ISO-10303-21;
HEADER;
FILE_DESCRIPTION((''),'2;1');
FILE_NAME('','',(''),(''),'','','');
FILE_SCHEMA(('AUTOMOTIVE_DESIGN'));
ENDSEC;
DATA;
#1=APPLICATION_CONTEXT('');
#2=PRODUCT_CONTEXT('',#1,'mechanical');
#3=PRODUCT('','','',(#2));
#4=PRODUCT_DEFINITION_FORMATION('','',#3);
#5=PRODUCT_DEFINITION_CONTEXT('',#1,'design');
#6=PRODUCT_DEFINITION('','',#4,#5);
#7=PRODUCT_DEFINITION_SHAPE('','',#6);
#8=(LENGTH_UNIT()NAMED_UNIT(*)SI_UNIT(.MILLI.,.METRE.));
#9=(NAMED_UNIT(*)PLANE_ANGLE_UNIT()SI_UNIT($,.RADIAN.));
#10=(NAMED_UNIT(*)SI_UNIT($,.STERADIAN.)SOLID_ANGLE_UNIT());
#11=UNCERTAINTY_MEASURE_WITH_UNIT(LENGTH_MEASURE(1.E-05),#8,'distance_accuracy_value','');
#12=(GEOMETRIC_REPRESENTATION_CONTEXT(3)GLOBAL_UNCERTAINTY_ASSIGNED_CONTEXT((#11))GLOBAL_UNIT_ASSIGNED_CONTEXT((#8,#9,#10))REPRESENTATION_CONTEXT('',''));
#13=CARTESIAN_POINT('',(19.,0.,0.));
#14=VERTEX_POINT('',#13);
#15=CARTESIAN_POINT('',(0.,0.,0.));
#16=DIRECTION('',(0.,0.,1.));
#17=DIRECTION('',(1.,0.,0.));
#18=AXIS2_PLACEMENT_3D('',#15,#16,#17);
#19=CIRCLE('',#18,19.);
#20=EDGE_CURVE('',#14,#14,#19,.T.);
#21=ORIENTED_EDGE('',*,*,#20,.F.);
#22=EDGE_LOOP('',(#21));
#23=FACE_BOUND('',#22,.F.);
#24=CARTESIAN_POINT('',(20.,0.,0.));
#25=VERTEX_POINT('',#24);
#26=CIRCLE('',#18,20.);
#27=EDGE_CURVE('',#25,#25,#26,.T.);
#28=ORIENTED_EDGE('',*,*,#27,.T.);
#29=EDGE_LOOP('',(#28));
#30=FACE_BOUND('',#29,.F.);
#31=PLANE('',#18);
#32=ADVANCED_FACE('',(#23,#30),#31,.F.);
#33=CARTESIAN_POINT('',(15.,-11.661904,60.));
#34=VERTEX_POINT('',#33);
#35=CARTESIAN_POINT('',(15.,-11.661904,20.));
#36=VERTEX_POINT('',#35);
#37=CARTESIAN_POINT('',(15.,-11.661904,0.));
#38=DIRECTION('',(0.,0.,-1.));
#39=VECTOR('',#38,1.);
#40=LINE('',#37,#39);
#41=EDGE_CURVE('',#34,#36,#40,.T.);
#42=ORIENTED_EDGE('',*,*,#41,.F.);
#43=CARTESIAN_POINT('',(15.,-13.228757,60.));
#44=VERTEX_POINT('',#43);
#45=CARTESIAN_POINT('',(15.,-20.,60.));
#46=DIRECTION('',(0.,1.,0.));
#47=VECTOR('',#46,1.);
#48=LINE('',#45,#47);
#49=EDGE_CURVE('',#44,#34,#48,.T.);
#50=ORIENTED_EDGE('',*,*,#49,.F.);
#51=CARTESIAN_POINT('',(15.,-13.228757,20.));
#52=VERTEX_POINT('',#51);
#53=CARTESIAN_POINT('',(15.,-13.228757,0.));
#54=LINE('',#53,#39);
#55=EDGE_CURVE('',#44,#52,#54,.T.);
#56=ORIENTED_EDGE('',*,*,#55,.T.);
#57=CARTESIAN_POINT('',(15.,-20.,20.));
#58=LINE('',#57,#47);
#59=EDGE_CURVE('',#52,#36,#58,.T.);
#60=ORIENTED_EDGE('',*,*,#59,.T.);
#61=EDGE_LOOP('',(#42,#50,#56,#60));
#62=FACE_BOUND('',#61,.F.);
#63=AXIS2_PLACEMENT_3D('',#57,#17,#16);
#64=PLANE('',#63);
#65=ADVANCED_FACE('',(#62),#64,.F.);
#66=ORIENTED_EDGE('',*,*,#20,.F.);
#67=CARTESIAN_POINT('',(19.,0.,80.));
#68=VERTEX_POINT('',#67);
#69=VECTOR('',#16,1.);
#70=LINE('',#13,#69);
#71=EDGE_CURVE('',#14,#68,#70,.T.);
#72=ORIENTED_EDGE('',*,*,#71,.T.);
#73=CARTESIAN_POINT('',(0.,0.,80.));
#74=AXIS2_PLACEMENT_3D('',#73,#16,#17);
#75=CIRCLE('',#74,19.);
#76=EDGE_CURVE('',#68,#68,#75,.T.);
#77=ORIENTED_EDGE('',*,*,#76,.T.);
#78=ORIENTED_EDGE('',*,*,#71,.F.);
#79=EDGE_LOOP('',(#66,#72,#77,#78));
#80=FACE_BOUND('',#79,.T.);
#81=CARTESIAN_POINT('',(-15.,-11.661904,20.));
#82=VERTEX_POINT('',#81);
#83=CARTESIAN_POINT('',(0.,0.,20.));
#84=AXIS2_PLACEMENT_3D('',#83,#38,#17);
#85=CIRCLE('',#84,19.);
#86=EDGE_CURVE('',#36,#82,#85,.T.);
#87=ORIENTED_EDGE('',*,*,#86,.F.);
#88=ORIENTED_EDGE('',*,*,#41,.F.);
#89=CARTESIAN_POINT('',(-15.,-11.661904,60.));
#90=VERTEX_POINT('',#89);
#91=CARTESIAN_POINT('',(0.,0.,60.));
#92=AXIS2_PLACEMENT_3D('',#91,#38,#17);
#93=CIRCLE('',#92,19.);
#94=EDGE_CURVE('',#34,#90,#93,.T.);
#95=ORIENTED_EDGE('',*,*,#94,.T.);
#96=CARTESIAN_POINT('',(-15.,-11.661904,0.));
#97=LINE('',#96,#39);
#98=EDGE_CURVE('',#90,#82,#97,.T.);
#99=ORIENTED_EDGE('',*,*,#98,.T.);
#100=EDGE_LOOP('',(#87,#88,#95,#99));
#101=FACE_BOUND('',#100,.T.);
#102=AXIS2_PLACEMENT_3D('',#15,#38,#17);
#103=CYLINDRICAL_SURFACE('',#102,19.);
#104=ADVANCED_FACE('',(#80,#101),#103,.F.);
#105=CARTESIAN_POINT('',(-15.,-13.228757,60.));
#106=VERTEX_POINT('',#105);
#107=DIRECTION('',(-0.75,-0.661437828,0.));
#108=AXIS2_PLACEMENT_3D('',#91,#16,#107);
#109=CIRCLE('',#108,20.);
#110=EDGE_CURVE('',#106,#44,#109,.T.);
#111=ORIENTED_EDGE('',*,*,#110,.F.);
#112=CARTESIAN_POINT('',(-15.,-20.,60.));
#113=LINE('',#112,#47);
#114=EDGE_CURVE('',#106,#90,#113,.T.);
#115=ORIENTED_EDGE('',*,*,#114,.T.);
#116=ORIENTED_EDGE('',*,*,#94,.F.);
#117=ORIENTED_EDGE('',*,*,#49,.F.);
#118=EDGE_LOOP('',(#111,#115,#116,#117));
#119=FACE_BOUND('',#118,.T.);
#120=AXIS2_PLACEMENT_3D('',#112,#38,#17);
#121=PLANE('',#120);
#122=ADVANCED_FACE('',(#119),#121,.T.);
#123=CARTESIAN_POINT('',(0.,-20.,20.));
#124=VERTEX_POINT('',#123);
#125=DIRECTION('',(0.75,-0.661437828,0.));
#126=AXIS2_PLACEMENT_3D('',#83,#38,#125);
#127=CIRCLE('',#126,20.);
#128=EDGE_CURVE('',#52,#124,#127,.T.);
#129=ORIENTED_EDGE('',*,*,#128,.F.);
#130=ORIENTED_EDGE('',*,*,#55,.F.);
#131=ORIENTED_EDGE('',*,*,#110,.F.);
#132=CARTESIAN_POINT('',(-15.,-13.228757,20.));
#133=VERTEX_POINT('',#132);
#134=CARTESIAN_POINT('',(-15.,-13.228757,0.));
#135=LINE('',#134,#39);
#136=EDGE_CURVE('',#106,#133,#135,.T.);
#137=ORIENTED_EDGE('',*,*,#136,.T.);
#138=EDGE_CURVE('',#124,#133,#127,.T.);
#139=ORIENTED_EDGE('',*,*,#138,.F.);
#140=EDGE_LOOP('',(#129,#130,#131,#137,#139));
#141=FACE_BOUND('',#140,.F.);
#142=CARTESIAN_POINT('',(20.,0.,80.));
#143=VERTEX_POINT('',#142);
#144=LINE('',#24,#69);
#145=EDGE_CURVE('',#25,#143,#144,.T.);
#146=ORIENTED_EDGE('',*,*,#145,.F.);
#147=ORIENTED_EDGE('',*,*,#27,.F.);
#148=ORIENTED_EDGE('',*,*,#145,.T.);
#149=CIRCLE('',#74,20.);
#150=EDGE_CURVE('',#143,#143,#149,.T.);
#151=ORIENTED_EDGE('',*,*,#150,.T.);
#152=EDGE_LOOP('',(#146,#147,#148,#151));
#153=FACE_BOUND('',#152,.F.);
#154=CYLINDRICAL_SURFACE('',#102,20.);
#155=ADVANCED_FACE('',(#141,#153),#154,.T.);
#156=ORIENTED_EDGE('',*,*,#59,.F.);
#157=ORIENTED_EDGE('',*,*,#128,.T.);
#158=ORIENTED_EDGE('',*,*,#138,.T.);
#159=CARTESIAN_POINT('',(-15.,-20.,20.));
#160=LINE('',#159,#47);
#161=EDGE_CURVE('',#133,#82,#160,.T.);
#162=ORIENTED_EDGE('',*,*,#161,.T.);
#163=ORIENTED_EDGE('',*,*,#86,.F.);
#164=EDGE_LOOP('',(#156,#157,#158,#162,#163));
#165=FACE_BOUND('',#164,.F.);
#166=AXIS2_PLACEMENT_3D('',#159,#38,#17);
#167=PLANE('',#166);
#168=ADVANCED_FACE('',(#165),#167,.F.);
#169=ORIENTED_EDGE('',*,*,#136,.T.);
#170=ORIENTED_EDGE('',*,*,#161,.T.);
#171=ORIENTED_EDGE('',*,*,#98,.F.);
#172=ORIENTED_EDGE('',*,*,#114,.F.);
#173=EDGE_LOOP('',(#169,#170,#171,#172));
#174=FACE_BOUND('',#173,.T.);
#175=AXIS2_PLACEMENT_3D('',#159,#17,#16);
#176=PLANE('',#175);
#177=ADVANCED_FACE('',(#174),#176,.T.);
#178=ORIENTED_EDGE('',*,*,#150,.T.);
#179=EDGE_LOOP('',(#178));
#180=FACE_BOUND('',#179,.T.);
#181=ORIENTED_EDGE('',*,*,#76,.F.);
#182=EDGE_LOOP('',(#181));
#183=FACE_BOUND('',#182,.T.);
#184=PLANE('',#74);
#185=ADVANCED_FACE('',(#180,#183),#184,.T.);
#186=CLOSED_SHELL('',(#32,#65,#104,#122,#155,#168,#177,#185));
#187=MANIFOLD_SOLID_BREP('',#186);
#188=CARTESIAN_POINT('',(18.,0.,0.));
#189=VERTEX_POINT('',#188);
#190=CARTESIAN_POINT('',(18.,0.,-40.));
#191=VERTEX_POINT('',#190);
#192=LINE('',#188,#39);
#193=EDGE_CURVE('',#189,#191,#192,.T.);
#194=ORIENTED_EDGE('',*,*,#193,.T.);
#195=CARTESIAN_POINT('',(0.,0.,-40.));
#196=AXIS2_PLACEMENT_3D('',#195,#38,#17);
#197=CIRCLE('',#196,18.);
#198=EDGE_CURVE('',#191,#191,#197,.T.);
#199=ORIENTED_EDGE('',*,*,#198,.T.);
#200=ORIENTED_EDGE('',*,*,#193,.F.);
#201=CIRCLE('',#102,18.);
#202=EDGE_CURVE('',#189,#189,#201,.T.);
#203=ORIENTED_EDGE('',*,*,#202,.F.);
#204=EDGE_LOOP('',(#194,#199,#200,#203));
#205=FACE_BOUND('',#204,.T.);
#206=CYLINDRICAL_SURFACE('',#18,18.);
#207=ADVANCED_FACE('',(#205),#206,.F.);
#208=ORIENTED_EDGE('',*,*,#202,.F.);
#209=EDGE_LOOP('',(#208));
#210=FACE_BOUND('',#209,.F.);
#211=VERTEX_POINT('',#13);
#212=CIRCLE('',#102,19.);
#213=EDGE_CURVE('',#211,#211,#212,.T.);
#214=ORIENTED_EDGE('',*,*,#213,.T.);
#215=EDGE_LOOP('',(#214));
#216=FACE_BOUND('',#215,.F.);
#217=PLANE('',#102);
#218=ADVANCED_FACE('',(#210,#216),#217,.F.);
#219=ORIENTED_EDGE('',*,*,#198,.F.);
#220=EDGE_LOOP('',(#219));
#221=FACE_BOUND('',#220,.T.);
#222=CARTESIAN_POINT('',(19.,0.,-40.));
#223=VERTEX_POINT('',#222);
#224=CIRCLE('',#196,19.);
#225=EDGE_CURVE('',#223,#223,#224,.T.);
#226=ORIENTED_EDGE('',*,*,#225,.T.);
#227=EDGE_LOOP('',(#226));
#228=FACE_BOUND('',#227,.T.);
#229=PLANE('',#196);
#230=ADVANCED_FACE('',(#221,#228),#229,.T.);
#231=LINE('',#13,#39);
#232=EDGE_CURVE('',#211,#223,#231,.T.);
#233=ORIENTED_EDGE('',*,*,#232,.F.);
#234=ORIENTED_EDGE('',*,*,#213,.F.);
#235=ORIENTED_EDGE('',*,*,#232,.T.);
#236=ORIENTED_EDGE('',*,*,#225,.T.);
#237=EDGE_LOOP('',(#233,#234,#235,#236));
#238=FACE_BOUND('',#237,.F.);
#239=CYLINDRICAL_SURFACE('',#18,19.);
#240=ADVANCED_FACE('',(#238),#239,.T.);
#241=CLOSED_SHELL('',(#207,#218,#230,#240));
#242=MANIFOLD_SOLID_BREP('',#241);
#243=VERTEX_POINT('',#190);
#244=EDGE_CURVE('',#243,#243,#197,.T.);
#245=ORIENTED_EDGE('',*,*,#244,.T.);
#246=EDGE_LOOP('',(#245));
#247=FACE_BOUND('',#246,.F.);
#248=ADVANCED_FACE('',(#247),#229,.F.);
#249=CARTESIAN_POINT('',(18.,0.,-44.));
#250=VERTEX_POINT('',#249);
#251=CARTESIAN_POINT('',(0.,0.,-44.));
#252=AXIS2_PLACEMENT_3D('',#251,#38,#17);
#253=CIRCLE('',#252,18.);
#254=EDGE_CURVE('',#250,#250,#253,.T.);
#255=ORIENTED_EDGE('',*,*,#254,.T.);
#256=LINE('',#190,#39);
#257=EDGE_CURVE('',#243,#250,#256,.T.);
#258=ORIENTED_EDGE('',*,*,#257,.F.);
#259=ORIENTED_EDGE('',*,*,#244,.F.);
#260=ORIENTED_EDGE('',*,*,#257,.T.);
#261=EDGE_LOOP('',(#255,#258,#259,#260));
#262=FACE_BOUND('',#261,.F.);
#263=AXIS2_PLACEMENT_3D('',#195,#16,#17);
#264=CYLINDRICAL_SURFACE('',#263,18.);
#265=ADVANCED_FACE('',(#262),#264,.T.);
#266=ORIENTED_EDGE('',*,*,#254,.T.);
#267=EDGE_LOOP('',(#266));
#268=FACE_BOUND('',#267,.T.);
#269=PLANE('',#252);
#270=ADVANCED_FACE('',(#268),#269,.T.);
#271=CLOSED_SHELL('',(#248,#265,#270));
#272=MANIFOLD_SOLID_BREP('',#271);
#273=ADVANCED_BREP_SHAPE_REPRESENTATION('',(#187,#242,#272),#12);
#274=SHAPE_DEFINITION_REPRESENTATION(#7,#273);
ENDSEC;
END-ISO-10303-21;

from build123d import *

# Parameters (mm, degrees)
F0_R      = 20
F0_R_2    = 19
F1_DEPTH  = 80
F3_W      = 30
F3_H      = 40
F4_DEPTH  = 25
F5_R      = 20
F6_DEPTH  = 60
F7_W      = 25
F7_H      = 35
F8_DEPTH  = 10
F10_R     = 19
F10_R_2   = 18
F11_DEPTH = 40
F12_R     = 18
F13_DEPTH = 4


with BuildPart() as f1:
    # F0 (on Top) → F1 (new body)
    with BuildSketch(Plane.XY):
        Circle(F0_R)
        Circle(F0_R_2, mode=Mode.SUBTRACT)
    extrude(amount=F1_DEPTH)

    # F3 (on offset) → F4 (cut)
    with BuildSketch(Plane.XZ.offset(20)):
        with Locations((0, 40)):
            Rectangle(F3_W, F3_H)
    extrude(amount=-F4_DEPTH, mode=Mode.SUBTRACT)

    # F7 (on offset) → F8 (cut)
    with BuildSketch(Plane.XZ.offset(20)):
        with Locations((0, 27.5)):
            Rectangle(F7_W, F7_H)
    extrude(amount=F8_DEPTH, mode=Mode.SUBTRACT)


with BuildPart() as f6:
    # F5 (on face) → F6 (new body)
    with BuildSketch(Plane(origin=(0, 0, 0), x_dir=(1, 0, 0), z_dir=(0, 0, -1))):
        Circle(F5_R)
        with BuildLine():
            ThreePointArc((-19, 0), (0, 19), (19, 0))
            ThreePointArc((19, 0), (0, -19), (-19, 0))
        make_face(mode=Mode.SUBTRACT)
    extrude(amount=-F6_DEPTH)


with BuildPart() as f11:
    # F10 (on face) → F11 (new body)
    with BuildSketch(Plane(origin=(0, 0, 0), x_dir=(1, 0, 0), z_dir=(0, 0, -1))):
        Circle(F10_R)
        Circle(F10_R_2, mode=Mode.SUBTRACT)
    extrude(amount=F11_DEPTH)


with BuildPart() as f13:
    # F12 (on face) → F13 (new body)
    with BuildSketch(Plane(origin=(0, 0, -40), x_dir=(1, 0, 0), z_dir=(0, 0, -1))):
        Circle(F12_R)
    extrude(amount=F13_DEPTH)


solid = Compound([f1.part, f11.part, f13.part])
